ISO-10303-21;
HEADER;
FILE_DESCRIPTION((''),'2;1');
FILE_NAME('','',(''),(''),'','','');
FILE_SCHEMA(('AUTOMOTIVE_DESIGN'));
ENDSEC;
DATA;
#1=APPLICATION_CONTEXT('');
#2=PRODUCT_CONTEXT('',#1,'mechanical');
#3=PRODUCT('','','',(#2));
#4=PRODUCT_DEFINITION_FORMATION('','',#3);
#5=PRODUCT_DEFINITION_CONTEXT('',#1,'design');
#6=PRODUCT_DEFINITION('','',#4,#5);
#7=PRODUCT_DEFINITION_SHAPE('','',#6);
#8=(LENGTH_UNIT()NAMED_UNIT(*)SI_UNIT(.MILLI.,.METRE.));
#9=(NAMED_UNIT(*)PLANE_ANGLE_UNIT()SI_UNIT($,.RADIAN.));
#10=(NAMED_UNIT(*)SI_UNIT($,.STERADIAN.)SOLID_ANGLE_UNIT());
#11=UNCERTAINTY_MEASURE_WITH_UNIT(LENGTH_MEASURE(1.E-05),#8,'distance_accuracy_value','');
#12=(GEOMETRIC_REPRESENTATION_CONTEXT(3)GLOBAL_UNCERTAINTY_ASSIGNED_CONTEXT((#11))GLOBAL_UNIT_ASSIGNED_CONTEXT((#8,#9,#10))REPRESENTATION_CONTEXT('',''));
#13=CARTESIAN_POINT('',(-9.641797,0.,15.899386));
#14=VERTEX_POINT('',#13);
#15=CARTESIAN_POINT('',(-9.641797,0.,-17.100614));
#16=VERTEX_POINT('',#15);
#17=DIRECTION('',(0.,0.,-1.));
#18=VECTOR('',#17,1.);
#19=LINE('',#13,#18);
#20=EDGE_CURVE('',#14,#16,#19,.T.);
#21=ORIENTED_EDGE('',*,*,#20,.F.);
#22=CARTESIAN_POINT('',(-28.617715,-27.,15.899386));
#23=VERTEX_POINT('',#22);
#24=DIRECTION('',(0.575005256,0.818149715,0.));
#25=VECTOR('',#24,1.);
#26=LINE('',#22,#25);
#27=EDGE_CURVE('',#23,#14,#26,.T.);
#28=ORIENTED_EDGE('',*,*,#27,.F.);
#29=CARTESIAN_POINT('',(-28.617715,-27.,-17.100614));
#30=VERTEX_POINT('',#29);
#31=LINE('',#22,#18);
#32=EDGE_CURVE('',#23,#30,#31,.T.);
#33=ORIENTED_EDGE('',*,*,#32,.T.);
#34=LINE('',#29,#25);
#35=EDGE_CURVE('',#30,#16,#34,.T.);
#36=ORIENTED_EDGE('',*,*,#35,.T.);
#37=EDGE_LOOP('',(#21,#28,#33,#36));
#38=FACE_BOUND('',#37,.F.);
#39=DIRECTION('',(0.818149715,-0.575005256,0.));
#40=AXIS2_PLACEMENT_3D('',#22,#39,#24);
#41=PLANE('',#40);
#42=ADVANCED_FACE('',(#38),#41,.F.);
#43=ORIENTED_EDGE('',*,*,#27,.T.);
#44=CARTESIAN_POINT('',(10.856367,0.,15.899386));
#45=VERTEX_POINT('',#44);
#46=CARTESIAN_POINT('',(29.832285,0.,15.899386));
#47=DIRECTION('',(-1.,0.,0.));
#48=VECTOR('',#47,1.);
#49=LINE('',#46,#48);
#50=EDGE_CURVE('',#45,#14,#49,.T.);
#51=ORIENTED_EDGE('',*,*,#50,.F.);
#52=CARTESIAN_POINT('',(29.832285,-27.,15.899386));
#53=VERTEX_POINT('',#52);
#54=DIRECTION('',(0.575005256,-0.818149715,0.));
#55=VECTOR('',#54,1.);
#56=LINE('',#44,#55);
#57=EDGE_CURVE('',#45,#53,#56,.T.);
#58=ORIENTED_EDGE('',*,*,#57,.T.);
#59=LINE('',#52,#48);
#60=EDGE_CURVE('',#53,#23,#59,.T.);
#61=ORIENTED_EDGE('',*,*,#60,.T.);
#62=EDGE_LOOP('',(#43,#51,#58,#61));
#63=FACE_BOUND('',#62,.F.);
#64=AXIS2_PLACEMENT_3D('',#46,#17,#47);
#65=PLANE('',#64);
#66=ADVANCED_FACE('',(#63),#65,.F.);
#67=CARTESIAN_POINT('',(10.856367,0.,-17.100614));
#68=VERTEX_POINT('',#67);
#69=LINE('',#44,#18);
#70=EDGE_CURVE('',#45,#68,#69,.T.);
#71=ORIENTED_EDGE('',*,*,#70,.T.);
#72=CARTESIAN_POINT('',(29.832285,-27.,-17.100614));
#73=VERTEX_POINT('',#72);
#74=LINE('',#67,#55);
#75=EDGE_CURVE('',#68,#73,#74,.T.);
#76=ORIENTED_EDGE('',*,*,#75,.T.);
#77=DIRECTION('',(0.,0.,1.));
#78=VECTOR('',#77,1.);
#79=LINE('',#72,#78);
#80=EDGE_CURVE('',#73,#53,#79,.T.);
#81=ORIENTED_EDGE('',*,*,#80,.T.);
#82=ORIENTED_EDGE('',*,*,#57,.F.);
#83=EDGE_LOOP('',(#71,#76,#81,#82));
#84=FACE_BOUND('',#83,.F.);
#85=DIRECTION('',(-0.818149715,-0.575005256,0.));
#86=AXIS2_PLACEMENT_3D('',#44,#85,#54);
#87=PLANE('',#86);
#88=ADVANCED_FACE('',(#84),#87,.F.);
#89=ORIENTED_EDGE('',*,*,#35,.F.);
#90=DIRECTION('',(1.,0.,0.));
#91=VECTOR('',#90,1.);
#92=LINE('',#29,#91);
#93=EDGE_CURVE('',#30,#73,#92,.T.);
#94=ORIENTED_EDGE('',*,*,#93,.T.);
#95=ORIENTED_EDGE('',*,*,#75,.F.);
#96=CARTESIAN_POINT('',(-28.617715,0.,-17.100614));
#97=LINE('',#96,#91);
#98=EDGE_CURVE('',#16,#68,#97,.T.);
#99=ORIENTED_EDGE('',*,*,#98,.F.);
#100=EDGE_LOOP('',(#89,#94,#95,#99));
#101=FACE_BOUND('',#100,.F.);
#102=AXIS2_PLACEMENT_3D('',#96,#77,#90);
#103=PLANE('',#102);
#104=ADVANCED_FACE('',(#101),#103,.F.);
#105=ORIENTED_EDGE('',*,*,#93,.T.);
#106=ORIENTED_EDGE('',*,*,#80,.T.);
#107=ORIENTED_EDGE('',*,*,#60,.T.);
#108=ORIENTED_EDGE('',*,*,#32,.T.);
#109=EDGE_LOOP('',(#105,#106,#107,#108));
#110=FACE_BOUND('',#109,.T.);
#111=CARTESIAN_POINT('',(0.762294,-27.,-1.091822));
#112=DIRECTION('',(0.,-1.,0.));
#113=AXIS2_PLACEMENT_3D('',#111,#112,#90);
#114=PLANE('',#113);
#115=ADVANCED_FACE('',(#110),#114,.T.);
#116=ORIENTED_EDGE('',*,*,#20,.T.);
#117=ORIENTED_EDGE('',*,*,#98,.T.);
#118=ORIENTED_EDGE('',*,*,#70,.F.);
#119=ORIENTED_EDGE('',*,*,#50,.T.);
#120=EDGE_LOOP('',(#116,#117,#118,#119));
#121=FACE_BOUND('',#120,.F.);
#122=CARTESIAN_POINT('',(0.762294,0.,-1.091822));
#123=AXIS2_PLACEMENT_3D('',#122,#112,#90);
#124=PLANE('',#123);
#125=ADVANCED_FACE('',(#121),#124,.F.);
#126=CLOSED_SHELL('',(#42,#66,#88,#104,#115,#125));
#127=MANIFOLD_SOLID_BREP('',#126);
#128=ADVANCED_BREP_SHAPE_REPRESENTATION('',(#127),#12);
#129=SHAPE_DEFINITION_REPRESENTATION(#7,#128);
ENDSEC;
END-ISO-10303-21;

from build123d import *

# Parameters (mm, degrees)
F0_W     = 13
F0_H     = 8.750424
F1_DEPTH = 27
F3_DEPTH = 33


with BuildPart() as f1:
    # F0 (on Front) → F1 (new body)
    with BuildSketch(Plane.XZ):
        Polygon((29.832285, 15.899386), (-28.617715, 15.899386), (-28.617715, -17.100614), (-4.117715, -17.100614), (-4.117715, -8.35019), (8.882285, -8.35019), (8.882285, -17.100614), (29.832285, -17.100614), align=None)
        with Locations((2.382285, -12.725402)):
            Rectangle(F0_W, F0_H)
    extrude(amount=F1_DEPTH)

    # F2 (on face) → F3 (cut)
    with BuildSketch(Plane.XY.offset(15.899386)):
        Polygon((-28.617715, 0), (-28.617715, -27), (-9.641797, 0), align=None)
        Polygon((10.856367, 0), (29.832285, -27), (29.832285, 0), align=None)
    extrude(amount=-F3_DEPTH, mode=Mode.SUBTRACT)


solid = f1.part
